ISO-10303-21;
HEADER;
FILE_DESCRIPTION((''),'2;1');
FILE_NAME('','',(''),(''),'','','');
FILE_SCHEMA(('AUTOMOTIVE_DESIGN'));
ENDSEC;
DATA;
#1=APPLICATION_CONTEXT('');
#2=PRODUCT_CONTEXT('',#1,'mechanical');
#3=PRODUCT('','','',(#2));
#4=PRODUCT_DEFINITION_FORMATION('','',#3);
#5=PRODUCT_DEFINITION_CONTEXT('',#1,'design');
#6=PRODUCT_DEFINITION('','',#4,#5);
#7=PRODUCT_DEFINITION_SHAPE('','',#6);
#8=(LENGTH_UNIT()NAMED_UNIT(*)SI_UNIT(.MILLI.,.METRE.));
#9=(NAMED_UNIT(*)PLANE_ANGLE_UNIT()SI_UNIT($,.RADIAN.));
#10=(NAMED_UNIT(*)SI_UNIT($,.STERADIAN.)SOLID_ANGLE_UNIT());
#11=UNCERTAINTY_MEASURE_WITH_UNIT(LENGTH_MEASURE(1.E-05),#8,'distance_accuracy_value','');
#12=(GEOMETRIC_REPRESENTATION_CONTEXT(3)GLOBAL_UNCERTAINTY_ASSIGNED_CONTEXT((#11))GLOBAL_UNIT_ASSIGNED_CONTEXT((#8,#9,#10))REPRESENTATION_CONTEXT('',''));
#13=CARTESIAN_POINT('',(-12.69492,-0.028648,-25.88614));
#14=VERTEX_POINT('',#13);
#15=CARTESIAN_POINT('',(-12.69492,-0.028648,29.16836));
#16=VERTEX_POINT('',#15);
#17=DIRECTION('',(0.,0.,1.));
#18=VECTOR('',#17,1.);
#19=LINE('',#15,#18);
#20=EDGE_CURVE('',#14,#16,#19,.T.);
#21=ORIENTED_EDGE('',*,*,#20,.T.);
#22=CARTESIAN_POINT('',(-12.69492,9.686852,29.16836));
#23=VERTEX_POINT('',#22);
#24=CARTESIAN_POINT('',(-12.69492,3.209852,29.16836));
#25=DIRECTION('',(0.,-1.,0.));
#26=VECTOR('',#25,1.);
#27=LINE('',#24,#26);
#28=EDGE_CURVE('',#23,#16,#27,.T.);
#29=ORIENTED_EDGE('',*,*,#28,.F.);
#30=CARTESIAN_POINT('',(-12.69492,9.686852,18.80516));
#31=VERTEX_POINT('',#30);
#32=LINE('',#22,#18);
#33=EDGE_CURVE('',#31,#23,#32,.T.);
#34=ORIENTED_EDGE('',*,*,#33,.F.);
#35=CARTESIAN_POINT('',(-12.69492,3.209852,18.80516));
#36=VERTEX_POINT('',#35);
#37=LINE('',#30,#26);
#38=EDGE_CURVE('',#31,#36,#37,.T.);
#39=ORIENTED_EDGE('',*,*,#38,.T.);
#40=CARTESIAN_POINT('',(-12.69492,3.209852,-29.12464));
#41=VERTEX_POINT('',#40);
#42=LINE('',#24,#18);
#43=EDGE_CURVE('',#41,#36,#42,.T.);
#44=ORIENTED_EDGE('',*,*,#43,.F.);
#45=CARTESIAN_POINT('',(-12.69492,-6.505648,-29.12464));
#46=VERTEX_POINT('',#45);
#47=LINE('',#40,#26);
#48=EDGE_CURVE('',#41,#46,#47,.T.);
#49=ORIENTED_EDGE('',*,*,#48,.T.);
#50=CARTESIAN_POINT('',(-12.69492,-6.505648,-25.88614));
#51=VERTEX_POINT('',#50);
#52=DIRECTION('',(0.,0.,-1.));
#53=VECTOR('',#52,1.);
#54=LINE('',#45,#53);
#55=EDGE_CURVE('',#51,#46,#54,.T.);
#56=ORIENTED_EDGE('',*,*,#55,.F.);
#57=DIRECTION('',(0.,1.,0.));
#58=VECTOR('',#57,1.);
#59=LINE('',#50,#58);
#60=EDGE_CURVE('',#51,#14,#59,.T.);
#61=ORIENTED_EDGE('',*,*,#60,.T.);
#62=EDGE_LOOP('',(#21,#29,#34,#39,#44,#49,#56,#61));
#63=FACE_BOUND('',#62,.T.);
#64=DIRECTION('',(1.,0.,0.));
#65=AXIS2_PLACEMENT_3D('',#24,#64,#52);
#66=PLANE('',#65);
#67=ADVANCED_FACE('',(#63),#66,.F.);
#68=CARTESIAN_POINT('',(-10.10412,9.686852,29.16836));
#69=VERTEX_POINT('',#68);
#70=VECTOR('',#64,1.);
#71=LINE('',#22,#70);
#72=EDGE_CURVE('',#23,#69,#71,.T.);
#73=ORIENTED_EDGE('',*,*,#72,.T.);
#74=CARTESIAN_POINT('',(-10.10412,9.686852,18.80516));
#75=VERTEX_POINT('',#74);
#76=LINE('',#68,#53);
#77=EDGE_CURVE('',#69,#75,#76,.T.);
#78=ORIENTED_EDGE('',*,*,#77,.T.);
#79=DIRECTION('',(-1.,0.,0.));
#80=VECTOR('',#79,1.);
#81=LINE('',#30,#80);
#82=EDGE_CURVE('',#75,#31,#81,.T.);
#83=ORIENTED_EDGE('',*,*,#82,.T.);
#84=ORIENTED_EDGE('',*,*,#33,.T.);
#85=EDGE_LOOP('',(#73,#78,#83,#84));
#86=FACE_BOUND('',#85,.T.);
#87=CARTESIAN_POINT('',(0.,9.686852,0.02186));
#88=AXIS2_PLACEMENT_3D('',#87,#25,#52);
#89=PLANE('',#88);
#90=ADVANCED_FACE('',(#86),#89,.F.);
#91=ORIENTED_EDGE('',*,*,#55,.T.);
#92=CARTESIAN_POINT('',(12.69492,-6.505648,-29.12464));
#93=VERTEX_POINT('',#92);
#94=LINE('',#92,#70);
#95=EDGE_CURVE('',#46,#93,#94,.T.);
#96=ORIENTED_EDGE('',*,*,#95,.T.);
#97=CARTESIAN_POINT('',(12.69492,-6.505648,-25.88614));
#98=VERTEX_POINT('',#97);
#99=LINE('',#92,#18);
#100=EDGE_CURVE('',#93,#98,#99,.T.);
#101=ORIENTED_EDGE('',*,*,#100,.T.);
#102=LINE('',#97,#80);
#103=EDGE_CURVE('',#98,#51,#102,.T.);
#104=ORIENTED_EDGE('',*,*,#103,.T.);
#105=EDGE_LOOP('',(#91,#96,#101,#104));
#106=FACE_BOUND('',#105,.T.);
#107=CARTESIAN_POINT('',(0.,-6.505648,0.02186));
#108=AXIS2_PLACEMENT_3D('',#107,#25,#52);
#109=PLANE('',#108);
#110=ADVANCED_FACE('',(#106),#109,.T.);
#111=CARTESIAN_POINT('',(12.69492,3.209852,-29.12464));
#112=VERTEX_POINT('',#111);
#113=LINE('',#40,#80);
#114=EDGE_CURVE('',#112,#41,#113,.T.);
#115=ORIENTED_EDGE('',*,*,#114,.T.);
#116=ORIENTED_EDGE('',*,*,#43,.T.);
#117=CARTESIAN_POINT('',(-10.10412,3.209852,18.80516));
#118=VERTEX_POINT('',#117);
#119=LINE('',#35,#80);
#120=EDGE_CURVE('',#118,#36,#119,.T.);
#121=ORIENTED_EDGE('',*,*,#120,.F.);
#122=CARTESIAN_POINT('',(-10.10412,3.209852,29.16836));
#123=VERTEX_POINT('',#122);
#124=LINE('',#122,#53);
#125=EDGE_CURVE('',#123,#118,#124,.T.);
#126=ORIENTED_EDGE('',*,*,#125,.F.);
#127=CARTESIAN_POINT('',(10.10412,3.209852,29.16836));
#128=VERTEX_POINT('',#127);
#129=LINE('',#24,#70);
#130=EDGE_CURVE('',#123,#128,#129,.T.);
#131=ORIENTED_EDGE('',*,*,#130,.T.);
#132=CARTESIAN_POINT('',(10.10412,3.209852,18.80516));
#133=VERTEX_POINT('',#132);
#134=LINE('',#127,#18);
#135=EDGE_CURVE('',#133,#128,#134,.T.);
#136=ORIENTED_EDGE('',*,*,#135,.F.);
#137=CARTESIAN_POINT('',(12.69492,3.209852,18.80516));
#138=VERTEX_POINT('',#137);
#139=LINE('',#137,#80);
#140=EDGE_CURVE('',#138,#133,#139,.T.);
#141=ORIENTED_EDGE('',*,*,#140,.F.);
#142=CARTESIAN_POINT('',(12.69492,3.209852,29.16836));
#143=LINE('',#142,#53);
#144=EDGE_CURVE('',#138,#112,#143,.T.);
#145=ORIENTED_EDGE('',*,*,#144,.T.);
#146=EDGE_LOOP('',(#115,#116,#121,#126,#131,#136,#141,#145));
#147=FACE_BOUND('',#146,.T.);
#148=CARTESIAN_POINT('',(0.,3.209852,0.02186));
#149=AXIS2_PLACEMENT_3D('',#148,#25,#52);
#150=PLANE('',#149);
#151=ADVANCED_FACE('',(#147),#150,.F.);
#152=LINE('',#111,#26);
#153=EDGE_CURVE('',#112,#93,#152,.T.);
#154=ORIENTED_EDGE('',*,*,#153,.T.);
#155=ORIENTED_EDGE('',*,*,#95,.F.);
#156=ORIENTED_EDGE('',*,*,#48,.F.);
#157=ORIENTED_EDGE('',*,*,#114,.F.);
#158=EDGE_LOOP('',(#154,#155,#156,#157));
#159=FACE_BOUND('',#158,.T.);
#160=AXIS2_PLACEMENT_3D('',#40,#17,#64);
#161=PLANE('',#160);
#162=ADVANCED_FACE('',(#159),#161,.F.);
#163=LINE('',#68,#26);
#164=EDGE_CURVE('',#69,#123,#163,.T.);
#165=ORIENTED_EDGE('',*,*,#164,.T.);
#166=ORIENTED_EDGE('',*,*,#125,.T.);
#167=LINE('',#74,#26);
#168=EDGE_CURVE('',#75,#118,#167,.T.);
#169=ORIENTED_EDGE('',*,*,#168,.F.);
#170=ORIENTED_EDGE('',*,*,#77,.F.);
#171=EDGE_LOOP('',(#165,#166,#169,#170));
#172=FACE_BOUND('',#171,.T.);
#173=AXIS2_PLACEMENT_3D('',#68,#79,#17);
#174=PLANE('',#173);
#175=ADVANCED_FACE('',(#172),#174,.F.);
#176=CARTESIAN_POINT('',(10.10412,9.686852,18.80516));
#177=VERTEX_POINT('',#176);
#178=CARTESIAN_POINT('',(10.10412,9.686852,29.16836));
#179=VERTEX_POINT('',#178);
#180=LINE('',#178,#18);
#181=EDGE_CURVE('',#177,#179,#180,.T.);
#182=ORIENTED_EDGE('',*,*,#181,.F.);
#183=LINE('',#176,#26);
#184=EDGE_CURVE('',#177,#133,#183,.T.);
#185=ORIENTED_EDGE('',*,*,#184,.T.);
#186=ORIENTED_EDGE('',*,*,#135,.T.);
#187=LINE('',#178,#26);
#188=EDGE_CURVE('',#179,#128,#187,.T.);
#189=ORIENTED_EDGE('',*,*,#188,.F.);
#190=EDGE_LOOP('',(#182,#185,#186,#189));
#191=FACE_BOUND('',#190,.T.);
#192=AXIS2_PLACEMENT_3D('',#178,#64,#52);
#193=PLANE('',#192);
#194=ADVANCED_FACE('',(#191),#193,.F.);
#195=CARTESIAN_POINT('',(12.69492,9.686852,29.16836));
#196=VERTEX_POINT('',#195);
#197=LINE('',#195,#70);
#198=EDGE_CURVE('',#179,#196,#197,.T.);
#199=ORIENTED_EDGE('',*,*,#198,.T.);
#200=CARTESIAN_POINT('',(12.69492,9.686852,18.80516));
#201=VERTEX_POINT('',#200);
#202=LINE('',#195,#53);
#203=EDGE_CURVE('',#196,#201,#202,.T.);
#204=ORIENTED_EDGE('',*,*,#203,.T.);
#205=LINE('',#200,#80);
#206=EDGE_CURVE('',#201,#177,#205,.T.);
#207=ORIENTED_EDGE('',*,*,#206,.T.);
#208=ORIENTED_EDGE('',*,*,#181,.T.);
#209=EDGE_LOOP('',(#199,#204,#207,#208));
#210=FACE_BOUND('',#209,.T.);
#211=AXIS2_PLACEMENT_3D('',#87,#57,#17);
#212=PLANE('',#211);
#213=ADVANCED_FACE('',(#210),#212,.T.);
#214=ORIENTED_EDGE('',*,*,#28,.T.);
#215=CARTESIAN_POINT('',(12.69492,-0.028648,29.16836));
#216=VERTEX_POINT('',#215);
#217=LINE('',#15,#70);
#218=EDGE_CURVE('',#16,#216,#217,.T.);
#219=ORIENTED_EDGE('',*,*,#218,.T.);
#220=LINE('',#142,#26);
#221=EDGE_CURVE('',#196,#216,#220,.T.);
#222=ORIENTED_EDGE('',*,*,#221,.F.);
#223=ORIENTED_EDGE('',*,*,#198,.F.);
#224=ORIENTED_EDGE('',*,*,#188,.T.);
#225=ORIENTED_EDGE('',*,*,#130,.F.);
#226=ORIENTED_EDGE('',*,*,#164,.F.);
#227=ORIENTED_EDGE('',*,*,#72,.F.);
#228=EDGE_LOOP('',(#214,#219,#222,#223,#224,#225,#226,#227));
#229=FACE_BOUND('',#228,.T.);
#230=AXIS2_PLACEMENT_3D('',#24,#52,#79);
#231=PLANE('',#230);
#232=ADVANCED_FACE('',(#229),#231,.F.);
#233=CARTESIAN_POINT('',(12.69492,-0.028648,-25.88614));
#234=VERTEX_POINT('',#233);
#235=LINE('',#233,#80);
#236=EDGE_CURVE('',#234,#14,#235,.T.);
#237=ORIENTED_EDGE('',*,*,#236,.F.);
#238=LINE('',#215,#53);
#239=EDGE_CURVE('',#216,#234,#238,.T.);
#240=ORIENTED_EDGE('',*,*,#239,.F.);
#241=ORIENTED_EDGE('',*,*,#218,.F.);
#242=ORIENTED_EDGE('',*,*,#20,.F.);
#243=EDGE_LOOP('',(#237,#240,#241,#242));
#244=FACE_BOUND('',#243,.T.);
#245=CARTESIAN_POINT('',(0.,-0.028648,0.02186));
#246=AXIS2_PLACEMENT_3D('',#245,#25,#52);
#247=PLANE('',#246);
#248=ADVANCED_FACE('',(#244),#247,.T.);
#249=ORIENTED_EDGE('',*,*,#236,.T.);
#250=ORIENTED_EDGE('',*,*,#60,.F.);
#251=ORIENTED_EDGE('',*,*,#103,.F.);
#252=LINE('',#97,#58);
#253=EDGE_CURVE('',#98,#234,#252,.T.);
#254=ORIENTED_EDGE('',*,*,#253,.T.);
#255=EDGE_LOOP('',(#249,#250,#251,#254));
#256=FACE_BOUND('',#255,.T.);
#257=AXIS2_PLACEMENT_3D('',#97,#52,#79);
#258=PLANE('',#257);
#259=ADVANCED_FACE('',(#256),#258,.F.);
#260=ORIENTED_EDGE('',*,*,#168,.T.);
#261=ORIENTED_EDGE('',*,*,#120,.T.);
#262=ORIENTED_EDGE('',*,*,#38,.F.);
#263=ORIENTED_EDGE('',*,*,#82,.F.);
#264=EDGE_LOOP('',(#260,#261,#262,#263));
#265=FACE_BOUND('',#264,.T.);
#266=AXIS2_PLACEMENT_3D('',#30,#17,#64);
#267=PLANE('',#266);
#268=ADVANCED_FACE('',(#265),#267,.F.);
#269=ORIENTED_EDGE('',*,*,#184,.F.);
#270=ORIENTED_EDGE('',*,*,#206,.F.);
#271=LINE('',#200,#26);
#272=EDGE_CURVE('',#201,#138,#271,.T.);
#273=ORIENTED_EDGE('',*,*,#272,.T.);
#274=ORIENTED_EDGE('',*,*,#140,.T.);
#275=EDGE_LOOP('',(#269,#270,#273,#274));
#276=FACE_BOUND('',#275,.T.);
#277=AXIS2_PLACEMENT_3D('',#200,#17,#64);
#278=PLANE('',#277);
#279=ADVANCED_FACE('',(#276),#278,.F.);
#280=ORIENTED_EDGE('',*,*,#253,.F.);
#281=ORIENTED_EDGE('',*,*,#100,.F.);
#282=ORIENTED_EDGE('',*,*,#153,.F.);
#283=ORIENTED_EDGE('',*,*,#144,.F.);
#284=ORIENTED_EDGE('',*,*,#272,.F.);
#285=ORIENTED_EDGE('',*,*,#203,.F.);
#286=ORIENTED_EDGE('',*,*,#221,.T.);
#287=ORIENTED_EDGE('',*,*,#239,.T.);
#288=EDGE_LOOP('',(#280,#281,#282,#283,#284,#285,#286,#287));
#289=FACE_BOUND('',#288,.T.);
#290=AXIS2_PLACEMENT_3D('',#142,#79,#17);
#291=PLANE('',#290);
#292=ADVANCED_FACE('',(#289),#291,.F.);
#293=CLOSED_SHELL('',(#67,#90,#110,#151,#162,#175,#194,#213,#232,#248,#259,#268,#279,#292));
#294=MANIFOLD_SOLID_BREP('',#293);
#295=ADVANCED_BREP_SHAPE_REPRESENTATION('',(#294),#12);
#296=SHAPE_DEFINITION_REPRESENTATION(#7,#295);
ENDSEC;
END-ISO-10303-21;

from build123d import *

# Parameters (mm, degrees)
SKETCH2_W           = 24.892
SKETCH2_H           = 57.15
BOSS_EXTRUDE1_DEPTH = 3.175
SKETCH3_W           = 2.54
SKETCH3_H           = 10.16
BOSS_EXTRUDE2_DEPTH = 6.35
SKETCH4_W           = 24.892
SKETCH4_H           = 3.175
BOSS_EXTRUDE3_DEPTH = 6.35
SCALE1_SCALE        = 1.02


with BuildPart() as part:
    # Sketch2 → Boss-Extrude1 (new body)
    with BuildSketch(Plane(origin=(0, 0, 0), x_dir=(1, 0, 0), z_dir=(0, 1, 0))):
        Rectangle(SKETCH2_W, SKETCH2_H)
    extrude(amount=BOSS_EXTRUDE1_DEPTH)

    # Sketch3 → Boss-Extrude2 (add)
    with BuildSketch(Plane(origin=(0, 3.175, 0), x_dir=(1, 0, 0), z_dir=(0, 1, 0))):
        with Locations((11.176, -23.495)):
            Rectangle(SKETCH3_W, SKETCH3_H)
        with Locations((-11.176, -23.495)):
            Rectangle(SKETCH3_W, SKETCH3_H)
    extrude(amount=BOSS_EXTRUDE2_DEPTH)

    # Sketch4 → Boss-Extrude3 (add)
    with BuildSketch(Plane.XZ):
        with Locations((0, -26.9875)):
            Rectangle(SKETCH4_W, SKETCH4_H)
    extrude(amount=BOSS_EXTRUDE3_DEPTH)


with BuildPart() as part_1:
    # Scale1: scaled about (0, 1.432399425, -1.093002874)
    add(part.part.scale(SCALE1_SCALE).moved(Location((0, -0.028647989, 0.021860057))))


solid = part_1.part
